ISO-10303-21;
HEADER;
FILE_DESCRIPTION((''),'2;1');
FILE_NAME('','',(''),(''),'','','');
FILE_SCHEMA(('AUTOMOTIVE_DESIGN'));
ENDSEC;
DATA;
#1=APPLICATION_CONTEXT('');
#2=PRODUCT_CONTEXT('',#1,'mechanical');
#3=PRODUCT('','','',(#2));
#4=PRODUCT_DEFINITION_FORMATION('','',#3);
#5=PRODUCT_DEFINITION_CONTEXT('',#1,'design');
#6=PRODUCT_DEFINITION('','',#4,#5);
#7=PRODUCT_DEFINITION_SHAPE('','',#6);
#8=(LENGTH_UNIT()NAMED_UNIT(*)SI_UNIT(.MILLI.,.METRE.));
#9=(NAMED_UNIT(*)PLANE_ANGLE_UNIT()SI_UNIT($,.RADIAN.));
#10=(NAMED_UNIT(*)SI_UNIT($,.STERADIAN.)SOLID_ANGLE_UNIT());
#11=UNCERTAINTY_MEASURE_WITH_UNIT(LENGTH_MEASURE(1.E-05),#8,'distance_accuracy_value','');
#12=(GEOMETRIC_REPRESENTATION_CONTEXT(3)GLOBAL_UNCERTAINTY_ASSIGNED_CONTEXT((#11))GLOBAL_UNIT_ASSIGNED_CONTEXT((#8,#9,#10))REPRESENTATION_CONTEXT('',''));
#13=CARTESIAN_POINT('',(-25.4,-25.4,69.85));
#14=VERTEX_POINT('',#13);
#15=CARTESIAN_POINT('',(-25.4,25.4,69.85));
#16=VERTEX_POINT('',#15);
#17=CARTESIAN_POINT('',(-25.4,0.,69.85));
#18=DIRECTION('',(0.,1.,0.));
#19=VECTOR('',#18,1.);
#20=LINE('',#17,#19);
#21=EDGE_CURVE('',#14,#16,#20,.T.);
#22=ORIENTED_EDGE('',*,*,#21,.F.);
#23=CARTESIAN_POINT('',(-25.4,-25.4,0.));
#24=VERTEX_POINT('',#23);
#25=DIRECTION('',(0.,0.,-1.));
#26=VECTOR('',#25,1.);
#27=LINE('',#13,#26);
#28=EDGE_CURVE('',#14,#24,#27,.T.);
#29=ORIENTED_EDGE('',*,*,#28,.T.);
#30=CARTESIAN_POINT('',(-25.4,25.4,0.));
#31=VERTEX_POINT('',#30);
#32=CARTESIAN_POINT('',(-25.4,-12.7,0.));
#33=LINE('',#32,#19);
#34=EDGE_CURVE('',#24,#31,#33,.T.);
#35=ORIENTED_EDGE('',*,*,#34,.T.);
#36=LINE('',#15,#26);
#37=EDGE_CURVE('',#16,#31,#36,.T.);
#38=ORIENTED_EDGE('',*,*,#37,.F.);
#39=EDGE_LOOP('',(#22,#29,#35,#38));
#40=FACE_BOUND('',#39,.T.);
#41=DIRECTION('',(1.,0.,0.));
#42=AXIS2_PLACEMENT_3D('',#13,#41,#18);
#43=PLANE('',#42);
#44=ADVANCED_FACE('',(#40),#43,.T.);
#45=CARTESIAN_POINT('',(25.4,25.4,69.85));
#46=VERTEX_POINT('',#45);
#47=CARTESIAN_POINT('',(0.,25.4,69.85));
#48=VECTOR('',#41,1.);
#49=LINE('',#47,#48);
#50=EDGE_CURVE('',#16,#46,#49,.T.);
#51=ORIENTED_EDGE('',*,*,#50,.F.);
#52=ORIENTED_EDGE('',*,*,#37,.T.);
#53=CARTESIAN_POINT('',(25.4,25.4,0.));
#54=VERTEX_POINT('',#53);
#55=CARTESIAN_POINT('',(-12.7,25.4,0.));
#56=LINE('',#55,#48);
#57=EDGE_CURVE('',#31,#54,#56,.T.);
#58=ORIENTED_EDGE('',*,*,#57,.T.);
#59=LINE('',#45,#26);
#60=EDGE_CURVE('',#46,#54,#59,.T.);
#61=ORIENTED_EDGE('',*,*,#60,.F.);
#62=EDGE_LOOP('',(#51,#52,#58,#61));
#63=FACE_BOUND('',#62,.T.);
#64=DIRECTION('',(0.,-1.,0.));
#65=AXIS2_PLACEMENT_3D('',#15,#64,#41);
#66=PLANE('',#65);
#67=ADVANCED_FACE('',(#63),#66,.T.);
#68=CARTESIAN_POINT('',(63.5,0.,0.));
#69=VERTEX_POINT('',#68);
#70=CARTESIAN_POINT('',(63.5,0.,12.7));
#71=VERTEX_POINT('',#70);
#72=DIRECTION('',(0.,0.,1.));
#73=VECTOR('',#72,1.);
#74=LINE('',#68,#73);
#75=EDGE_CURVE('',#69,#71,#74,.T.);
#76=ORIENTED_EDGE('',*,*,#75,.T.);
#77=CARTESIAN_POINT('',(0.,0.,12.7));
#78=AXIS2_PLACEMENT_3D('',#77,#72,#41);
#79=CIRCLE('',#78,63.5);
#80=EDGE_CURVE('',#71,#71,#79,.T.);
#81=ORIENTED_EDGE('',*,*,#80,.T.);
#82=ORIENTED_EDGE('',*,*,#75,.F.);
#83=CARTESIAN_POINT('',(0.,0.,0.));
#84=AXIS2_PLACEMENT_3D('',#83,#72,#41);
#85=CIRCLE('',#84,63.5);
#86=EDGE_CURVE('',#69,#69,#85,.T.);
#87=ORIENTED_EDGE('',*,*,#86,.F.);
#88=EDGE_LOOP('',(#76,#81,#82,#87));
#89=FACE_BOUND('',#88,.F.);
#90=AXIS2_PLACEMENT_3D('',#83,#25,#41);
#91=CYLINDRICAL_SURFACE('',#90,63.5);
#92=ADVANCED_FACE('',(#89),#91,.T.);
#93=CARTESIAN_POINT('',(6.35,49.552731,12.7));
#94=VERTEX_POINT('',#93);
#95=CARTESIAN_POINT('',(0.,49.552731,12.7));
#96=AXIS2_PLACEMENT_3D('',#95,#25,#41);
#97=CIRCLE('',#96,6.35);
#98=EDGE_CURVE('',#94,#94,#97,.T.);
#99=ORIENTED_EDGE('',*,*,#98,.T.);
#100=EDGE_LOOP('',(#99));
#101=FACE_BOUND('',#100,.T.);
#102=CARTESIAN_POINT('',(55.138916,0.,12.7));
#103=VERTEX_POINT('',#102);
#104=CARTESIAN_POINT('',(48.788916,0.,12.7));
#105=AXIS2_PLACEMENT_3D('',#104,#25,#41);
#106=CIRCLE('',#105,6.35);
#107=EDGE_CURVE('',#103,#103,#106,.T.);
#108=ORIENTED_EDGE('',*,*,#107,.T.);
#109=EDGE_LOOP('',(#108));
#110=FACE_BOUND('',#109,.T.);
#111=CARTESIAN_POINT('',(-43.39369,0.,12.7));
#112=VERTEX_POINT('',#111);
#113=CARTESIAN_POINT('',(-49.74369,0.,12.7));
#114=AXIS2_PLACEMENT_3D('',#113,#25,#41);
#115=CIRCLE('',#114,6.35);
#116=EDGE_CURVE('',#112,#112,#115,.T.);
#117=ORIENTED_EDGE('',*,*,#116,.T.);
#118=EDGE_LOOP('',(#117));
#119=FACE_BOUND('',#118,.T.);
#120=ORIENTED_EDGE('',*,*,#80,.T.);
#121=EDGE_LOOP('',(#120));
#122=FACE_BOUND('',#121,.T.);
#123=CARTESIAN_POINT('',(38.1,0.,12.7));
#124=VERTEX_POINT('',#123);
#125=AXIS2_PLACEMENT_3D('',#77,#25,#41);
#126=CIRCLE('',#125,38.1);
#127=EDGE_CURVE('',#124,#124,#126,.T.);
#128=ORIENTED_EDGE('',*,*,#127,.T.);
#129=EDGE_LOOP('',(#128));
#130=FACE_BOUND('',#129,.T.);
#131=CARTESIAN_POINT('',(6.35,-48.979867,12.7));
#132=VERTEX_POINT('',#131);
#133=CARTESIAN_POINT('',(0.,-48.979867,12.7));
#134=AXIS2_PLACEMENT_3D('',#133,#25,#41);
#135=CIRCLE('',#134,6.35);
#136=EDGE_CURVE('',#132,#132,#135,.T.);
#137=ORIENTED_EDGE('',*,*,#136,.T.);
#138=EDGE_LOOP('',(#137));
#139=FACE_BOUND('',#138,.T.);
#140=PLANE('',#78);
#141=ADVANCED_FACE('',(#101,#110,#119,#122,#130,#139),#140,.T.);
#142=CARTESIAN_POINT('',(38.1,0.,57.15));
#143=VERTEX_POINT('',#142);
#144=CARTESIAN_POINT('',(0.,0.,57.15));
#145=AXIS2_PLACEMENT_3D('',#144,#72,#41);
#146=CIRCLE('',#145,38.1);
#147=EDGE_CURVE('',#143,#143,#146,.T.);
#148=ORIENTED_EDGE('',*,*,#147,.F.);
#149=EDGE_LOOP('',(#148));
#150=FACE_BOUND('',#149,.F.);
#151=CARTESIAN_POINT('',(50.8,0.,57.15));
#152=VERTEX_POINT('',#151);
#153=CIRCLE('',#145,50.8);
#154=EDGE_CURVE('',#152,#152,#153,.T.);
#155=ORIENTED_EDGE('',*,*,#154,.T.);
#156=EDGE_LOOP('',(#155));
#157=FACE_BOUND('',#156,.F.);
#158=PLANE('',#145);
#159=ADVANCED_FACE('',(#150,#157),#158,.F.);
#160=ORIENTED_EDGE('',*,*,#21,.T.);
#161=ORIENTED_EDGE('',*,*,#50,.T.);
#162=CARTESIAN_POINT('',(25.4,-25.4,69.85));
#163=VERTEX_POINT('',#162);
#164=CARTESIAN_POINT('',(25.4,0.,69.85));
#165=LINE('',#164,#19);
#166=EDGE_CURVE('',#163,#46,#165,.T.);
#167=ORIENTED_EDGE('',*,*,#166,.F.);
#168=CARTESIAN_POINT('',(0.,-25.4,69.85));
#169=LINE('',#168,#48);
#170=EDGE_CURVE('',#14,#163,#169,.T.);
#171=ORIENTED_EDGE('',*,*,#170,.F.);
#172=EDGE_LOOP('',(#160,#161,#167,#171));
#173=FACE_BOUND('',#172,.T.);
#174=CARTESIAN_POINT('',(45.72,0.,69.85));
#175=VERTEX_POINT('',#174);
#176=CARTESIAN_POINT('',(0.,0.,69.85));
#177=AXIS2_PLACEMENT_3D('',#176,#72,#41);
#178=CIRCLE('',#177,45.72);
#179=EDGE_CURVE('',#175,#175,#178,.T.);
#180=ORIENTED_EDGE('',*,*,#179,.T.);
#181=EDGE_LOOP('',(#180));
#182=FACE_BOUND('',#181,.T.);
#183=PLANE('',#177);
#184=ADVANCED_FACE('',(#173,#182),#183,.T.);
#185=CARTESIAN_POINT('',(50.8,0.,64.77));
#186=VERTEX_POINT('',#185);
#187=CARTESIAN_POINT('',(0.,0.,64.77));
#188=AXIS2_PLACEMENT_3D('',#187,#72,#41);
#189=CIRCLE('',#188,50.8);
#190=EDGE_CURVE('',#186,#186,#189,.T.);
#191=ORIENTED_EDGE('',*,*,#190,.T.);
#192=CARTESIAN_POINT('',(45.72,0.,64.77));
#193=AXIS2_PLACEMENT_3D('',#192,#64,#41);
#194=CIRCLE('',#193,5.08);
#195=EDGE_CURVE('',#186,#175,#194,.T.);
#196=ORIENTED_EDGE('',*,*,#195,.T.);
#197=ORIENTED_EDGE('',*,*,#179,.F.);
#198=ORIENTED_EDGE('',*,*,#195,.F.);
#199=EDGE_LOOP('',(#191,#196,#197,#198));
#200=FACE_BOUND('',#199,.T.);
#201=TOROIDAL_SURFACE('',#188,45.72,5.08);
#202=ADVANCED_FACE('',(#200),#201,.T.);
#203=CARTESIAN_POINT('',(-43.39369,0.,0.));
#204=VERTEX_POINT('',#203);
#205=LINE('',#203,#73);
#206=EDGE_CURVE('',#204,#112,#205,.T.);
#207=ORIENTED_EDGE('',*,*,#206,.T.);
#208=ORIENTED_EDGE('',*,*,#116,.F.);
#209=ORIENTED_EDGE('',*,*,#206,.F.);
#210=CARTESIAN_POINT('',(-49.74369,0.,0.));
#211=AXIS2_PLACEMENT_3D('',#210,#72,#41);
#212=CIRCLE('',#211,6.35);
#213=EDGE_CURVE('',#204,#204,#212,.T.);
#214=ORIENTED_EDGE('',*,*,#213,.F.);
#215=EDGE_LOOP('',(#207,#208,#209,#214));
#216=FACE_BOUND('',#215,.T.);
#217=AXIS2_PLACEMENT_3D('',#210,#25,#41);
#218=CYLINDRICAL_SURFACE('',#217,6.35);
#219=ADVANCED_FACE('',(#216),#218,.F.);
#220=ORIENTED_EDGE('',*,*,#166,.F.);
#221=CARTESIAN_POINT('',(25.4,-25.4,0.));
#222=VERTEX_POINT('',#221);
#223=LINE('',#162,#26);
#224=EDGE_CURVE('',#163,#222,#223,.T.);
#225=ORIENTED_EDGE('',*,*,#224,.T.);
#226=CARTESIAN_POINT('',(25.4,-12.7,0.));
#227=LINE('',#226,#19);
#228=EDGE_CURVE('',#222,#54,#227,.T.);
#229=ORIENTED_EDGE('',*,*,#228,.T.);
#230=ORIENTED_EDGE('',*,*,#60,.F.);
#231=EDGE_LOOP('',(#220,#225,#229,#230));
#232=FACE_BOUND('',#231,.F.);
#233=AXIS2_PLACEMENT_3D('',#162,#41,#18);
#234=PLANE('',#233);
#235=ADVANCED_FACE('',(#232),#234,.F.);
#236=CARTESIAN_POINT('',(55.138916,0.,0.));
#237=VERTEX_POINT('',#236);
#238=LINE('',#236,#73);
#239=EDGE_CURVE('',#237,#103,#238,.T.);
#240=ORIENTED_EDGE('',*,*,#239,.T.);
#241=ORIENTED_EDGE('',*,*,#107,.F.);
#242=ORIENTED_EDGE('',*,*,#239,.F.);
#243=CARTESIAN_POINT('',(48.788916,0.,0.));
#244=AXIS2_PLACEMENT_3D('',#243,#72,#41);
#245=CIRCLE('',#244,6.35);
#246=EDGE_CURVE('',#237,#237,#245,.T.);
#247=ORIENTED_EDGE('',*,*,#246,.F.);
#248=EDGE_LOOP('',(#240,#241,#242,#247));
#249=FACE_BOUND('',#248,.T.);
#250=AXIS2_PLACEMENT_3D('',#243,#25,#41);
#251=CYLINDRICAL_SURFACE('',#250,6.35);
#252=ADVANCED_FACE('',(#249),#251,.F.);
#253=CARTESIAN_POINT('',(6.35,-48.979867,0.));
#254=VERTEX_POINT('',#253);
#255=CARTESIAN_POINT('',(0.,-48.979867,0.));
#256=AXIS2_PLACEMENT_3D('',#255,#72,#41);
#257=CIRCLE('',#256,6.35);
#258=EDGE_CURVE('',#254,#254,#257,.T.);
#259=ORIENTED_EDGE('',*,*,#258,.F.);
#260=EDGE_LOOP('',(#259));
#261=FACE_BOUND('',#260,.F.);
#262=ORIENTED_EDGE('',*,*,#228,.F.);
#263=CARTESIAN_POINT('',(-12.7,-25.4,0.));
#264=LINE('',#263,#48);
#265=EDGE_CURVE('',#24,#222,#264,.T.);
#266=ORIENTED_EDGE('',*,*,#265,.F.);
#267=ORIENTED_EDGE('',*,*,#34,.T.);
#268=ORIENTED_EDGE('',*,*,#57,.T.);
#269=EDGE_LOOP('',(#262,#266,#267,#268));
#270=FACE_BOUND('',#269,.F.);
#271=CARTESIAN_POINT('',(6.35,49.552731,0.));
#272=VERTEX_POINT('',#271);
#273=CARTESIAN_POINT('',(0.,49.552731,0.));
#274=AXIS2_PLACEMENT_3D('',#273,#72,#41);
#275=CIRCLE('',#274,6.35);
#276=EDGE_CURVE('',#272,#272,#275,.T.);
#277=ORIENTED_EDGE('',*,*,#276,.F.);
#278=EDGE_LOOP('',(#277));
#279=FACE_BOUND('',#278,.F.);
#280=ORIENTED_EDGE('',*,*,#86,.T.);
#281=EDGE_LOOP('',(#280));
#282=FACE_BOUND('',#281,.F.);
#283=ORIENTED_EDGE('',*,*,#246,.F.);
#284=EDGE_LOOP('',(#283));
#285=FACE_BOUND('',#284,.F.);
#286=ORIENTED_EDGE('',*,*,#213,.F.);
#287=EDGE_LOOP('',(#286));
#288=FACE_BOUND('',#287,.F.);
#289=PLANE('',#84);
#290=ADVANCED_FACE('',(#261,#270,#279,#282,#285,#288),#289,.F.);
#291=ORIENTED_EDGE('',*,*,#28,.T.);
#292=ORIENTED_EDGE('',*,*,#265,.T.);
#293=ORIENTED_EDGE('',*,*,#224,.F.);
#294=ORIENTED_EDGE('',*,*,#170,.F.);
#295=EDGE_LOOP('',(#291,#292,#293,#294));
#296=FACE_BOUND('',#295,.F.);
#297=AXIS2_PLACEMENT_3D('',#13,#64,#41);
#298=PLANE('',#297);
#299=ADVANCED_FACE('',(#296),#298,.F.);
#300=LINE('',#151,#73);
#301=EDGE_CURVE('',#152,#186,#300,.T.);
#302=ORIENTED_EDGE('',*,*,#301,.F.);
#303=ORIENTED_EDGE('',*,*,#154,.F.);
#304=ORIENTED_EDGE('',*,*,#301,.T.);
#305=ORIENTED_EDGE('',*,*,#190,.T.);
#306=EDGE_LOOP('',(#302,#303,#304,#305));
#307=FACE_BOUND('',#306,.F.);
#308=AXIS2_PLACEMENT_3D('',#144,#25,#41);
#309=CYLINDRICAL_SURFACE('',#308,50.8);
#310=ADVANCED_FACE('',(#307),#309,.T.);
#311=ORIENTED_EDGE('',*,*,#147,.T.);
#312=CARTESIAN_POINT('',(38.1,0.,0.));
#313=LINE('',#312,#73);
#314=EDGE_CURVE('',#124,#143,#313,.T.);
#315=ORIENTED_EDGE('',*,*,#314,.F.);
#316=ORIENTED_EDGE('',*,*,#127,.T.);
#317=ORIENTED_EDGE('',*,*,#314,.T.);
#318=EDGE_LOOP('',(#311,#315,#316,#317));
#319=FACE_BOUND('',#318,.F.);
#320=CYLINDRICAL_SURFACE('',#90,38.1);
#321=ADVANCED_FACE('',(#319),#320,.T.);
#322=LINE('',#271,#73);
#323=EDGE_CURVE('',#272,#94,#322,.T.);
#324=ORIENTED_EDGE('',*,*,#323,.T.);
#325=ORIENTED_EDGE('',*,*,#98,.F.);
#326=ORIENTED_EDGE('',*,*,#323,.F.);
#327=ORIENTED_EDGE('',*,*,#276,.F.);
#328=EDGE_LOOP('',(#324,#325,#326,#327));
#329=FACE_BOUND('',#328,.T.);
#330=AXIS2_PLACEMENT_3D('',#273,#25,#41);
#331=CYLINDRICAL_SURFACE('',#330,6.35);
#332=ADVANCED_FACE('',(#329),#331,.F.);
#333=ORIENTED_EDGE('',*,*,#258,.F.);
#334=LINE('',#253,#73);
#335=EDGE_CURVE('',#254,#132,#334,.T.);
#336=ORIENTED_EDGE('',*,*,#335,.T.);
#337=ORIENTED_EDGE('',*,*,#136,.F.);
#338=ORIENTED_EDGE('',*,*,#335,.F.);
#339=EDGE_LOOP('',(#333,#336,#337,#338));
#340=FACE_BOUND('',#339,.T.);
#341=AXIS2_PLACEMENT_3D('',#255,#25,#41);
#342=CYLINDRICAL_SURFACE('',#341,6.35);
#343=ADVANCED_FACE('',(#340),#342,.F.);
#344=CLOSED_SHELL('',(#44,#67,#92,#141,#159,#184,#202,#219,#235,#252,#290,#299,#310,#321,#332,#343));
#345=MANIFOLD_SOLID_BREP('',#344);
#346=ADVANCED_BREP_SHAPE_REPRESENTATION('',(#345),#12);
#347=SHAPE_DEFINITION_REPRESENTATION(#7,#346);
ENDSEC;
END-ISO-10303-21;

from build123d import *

# Parameters (mm, degrees)
F0_R      = 63.5
F1_DEPTH  = 12.7
F2_R      = 38.1
F3_DEPTH  = 57.15
F4_R      = 6.35
F5_DEPTH  = 12.7
F6_DEPTH  = 25.4
F7_DEPTH  = 25.4
F8_R      = 50.8
F9_DEPTH  = 12.7
F10_W     = 50.8
F10_H     = 50.8
F11_DEPTH = 127
F12_R     = 5.08


with BuildPart() as f1:
    # F0 (on Top) → F1 (new body)
    with BuildSketch(Plane.XY):
        Circle(F0_R)
    extrude(amount=F1_DEPTH)

    # F2 (on Top) → F3 (join)
    with BuildSketch(Plane.XY):
        Circle(F2_R)
    extrude(amount=F3_DEPTH)

    # F4 (on Top) → F5 (cut)
    with BuildSketch(Plane.XY):
        with Locations((-49.74369, 0)):
            Circle(F4_R)
        with Locations((0, 49.552731)):
            Circle(F4_R)
        with Locations((48.788916, 0)):
            Circle(F4_R)
        with Locations((0, -48.979867)):
            Circle(F4_R)
    extrude(amount=-F5_DEPTH, mode=Mode.SUBTRACT)

    # F4 (on Top) → F6 (cut)
    with BuildSketch(Plane.XY):
        with Locations((-49.74369, 0)):
            Circle(F4_R)
        with Locations((0, 49.552731)):
            Circle(F4_R)
        with Locations((48.788916, 0)):
            Circle(F4_R)
        with Locations((0, -48.979867)):
            Circle(F4_R)
    extrude(amount=F6_DEPTH, mode=Mode.SUBTRACT)

    # F4 (on Top) → F7 (cut)
    with BuildSketch(Plane.XY):
        with Locations((-49.74369, 0)):
            Circle(F4_R)
        with Locations((0, 49.552731)):
            Circle(F4_R)
        with Locations((48.788916, 0)):
            Circle(F4_R)
        with Locations((0, -48.979867)):
            Circle(F4_R)
    extrude(amount=-F7_DEPTH, mode=Mode.SUBTRACT)

    # F8 (on face) → F9 (join)
    with BuildSketch(Plane.XY.offset(57.15)):
        Circle(F8_R)
    extrude(amount=F9_DEPTH)

    # F10 (on face) → F11 (cut)
    with BuildSketch(Plane.XY.offset(69.85)):
        Rectangle(F10_W, F10_H)
    extrude(amount=-F11_DEPTH, mode=Mode.SUBTRACT)

    # F12
    f12_edges = [f1.edges().sort_by_distance(p)[0] for p in [
        (-50.8, 0, 69.85),
    ]]
    fillet(f12_edges, radius=F12_R)


solid = f1.part
